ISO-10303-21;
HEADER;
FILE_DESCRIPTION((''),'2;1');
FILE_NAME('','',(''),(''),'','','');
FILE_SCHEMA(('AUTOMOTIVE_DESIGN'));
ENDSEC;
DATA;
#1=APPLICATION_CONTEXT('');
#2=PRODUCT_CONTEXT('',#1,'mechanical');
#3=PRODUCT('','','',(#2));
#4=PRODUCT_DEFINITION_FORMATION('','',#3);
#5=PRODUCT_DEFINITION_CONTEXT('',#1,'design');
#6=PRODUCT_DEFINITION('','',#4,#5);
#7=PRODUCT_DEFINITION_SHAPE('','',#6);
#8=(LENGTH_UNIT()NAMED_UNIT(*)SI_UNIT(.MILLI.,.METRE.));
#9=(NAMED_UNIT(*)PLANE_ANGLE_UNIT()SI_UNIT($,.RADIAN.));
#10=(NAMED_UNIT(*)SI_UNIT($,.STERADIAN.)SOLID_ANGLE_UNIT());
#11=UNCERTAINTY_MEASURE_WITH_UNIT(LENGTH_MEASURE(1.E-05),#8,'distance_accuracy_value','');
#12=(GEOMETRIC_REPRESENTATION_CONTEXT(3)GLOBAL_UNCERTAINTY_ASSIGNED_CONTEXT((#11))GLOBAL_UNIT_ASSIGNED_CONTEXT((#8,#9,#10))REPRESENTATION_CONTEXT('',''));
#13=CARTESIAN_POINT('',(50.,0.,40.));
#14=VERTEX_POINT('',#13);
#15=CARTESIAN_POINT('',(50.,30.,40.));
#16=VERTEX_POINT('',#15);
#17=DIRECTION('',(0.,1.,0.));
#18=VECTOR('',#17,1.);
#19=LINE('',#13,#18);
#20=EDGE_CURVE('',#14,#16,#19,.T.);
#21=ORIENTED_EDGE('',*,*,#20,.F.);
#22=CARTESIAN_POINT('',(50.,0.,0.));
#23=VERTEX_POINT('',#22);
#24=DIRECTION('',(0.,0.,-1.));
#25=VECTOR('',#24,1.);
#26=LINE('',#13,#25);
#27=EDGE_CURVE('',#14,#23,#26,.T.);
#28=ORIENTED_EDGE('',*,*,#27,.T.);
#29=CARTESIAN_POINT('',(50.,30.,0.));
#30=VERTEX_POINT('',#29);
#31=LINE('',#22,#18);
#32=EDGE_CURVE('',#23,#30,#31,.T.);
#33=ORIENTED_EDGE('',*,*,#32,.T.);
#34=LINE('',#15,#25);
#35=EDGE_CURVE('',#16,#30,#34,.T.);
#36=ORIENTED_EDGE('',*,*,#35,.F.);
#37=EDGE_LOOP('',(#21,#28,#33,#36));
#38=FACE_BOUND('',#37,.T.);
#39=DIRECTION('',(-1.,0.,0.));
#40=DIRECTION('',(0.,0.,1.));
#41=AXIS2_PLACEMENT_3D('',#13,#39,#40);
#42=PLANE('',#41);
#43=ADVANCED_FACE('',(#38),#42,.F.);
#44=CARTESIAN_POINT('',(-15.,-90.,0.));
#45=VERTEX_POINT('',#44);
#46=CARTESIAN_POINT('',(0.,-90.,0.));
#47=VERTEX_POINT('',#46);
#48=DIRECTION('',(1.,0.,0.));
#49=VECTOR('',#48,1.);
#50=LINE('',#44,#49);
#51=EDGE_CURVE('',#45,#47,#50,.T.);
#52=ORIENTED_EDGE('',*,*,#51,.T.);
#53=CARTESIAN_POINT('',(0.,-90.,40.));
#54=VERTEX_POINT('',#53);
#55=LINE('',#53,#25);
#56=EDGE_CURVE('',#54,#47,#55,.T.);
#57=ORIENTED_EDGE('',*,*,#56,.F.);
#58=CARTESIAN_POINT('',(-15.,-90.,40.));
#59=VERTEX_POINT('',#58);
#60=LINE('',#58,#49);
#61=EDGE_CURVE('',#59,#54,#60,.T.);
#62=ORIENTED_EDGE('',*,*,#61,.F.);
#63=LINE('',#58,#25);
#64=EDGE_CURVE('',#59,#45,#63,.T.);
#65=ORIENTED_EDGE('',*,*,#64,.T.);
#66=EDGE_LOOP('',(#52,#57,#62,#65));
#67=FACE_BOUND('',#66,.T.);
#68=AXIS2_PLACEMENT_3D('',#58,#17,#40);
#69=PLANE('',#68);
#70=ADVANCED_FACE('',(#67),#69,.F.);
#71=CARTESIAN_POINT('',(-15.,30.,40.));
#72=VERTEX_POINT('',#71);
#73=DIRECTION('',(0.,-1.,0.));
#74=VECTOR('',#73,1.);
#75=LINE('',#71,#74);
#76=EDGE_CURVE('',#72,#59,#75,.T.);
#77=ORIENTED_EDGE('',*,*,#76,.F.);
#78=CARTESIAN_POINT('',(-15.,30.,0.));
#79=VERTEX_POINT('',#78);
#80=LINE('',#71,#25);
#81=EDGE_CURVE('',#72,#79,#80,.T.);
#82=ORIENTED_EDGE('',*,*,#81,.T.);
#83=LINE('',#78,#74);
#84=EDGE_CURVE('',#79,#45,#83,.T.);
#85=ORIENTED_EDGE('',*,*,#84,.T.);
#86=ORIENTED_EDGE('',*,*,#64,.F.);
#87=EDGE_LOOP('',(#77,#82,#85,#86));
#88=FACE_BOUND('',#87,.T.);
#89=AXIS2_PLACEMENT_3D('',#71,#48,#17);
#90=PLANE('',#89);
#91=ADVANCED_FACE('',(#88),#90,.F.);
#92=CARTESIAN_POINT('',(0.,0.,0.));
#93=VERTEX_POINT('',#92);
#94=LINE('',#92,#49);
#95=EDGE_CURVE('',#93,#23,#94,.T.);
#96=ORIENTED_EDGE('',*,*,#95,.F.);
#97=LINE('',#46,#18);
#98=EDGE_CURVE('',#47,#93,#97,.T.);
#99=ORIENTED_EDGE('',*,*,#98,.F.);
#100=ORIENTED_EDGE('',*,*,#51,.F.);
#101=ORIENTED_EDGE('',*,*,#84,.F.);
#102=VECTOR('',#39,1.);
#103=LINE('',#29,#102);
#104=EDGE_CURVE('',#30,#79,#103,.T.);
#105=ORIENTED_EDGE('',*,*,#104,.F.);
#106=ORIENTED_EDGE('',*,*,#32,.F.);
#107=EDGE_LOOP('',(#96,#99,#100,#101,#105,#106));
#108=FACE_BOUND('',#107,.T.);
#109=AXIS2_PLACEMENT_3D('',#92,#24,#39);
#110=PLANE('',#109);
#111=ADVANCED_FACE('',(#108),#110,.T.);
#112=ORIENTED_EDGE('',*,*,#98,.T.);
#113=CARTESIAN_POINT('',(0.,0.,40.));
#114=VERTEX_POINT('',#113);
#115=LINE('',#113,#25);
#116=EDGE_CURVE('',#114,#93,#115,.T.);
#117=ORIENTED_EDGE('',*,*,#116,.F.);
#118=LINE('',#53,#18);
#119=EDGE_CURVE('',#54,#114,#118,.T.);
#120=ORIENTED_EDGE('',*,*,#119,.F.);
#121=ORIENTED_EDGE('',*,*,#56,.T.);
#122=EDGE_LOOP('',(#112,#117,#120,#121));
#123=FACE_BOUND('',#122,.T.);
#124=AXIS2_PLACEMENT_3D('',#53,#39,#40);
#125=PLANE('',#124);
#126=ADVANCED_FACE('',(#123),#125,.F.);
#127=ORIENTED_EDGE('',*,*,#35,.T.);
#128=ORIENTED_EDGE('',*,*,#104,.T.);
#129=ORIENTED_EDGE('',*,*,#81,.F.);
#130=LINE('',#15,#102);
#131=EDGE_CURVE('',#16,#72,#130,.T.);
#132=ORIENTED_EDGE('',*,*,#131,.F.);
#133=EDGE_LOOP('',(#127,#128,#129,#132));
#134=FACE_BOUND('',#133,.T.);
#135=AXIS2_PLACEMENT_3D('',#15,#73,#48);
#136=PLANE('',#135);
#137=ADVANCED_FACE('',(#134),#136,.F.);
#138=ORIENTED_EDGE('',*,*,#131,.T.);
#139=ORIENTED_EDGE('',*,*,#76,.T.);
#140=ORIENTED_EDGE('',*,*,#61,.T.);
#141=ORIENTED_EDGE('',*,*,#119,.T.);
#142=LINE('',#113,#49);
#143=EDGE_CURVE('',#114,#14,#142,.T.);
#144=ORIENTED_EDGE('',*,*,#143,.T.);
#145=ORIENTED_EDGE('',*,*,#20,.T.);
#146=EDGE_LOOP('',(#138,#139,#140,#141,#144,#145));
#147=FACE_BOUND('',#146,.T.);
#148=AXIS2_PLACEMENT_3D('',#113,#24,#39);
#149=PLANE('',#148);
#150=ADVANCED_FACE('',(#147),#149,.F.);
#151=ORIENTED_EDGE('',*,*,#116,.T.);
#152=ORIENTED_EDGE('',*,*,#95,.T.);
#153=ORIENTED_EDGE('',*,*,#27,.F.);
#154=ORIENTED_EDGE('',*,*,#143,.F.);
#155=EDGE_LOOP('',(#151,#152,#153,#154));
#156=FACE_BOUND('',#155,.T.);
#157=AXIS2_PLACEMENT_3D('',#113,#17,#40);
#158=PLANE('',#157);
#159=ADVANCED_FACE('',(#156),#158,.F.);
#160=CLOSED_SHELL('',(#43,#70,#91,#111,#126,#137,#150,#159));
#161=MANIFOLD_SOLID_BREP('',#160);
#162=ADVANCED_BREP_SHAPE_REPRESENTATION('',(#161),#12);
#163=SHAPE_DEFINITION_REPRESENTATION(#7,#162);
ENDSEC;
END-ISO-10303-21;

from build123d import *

# Parameters (mm, degrees)
BOSS_EXTRU_1_DEPTH = 40


with BuildPart() as part:
    # Esquisse1 → Boss.-Extru.1 (new body)
    with BuildSketch(Plane.XY):
        Polygon((0, 0), (50, 0), (50, 30), (-15, 30), (-15, -90), (0, -90), align=None)
    extrude(amount=BOSS_EXTRU_1_DEPTH)


solid = part.part
